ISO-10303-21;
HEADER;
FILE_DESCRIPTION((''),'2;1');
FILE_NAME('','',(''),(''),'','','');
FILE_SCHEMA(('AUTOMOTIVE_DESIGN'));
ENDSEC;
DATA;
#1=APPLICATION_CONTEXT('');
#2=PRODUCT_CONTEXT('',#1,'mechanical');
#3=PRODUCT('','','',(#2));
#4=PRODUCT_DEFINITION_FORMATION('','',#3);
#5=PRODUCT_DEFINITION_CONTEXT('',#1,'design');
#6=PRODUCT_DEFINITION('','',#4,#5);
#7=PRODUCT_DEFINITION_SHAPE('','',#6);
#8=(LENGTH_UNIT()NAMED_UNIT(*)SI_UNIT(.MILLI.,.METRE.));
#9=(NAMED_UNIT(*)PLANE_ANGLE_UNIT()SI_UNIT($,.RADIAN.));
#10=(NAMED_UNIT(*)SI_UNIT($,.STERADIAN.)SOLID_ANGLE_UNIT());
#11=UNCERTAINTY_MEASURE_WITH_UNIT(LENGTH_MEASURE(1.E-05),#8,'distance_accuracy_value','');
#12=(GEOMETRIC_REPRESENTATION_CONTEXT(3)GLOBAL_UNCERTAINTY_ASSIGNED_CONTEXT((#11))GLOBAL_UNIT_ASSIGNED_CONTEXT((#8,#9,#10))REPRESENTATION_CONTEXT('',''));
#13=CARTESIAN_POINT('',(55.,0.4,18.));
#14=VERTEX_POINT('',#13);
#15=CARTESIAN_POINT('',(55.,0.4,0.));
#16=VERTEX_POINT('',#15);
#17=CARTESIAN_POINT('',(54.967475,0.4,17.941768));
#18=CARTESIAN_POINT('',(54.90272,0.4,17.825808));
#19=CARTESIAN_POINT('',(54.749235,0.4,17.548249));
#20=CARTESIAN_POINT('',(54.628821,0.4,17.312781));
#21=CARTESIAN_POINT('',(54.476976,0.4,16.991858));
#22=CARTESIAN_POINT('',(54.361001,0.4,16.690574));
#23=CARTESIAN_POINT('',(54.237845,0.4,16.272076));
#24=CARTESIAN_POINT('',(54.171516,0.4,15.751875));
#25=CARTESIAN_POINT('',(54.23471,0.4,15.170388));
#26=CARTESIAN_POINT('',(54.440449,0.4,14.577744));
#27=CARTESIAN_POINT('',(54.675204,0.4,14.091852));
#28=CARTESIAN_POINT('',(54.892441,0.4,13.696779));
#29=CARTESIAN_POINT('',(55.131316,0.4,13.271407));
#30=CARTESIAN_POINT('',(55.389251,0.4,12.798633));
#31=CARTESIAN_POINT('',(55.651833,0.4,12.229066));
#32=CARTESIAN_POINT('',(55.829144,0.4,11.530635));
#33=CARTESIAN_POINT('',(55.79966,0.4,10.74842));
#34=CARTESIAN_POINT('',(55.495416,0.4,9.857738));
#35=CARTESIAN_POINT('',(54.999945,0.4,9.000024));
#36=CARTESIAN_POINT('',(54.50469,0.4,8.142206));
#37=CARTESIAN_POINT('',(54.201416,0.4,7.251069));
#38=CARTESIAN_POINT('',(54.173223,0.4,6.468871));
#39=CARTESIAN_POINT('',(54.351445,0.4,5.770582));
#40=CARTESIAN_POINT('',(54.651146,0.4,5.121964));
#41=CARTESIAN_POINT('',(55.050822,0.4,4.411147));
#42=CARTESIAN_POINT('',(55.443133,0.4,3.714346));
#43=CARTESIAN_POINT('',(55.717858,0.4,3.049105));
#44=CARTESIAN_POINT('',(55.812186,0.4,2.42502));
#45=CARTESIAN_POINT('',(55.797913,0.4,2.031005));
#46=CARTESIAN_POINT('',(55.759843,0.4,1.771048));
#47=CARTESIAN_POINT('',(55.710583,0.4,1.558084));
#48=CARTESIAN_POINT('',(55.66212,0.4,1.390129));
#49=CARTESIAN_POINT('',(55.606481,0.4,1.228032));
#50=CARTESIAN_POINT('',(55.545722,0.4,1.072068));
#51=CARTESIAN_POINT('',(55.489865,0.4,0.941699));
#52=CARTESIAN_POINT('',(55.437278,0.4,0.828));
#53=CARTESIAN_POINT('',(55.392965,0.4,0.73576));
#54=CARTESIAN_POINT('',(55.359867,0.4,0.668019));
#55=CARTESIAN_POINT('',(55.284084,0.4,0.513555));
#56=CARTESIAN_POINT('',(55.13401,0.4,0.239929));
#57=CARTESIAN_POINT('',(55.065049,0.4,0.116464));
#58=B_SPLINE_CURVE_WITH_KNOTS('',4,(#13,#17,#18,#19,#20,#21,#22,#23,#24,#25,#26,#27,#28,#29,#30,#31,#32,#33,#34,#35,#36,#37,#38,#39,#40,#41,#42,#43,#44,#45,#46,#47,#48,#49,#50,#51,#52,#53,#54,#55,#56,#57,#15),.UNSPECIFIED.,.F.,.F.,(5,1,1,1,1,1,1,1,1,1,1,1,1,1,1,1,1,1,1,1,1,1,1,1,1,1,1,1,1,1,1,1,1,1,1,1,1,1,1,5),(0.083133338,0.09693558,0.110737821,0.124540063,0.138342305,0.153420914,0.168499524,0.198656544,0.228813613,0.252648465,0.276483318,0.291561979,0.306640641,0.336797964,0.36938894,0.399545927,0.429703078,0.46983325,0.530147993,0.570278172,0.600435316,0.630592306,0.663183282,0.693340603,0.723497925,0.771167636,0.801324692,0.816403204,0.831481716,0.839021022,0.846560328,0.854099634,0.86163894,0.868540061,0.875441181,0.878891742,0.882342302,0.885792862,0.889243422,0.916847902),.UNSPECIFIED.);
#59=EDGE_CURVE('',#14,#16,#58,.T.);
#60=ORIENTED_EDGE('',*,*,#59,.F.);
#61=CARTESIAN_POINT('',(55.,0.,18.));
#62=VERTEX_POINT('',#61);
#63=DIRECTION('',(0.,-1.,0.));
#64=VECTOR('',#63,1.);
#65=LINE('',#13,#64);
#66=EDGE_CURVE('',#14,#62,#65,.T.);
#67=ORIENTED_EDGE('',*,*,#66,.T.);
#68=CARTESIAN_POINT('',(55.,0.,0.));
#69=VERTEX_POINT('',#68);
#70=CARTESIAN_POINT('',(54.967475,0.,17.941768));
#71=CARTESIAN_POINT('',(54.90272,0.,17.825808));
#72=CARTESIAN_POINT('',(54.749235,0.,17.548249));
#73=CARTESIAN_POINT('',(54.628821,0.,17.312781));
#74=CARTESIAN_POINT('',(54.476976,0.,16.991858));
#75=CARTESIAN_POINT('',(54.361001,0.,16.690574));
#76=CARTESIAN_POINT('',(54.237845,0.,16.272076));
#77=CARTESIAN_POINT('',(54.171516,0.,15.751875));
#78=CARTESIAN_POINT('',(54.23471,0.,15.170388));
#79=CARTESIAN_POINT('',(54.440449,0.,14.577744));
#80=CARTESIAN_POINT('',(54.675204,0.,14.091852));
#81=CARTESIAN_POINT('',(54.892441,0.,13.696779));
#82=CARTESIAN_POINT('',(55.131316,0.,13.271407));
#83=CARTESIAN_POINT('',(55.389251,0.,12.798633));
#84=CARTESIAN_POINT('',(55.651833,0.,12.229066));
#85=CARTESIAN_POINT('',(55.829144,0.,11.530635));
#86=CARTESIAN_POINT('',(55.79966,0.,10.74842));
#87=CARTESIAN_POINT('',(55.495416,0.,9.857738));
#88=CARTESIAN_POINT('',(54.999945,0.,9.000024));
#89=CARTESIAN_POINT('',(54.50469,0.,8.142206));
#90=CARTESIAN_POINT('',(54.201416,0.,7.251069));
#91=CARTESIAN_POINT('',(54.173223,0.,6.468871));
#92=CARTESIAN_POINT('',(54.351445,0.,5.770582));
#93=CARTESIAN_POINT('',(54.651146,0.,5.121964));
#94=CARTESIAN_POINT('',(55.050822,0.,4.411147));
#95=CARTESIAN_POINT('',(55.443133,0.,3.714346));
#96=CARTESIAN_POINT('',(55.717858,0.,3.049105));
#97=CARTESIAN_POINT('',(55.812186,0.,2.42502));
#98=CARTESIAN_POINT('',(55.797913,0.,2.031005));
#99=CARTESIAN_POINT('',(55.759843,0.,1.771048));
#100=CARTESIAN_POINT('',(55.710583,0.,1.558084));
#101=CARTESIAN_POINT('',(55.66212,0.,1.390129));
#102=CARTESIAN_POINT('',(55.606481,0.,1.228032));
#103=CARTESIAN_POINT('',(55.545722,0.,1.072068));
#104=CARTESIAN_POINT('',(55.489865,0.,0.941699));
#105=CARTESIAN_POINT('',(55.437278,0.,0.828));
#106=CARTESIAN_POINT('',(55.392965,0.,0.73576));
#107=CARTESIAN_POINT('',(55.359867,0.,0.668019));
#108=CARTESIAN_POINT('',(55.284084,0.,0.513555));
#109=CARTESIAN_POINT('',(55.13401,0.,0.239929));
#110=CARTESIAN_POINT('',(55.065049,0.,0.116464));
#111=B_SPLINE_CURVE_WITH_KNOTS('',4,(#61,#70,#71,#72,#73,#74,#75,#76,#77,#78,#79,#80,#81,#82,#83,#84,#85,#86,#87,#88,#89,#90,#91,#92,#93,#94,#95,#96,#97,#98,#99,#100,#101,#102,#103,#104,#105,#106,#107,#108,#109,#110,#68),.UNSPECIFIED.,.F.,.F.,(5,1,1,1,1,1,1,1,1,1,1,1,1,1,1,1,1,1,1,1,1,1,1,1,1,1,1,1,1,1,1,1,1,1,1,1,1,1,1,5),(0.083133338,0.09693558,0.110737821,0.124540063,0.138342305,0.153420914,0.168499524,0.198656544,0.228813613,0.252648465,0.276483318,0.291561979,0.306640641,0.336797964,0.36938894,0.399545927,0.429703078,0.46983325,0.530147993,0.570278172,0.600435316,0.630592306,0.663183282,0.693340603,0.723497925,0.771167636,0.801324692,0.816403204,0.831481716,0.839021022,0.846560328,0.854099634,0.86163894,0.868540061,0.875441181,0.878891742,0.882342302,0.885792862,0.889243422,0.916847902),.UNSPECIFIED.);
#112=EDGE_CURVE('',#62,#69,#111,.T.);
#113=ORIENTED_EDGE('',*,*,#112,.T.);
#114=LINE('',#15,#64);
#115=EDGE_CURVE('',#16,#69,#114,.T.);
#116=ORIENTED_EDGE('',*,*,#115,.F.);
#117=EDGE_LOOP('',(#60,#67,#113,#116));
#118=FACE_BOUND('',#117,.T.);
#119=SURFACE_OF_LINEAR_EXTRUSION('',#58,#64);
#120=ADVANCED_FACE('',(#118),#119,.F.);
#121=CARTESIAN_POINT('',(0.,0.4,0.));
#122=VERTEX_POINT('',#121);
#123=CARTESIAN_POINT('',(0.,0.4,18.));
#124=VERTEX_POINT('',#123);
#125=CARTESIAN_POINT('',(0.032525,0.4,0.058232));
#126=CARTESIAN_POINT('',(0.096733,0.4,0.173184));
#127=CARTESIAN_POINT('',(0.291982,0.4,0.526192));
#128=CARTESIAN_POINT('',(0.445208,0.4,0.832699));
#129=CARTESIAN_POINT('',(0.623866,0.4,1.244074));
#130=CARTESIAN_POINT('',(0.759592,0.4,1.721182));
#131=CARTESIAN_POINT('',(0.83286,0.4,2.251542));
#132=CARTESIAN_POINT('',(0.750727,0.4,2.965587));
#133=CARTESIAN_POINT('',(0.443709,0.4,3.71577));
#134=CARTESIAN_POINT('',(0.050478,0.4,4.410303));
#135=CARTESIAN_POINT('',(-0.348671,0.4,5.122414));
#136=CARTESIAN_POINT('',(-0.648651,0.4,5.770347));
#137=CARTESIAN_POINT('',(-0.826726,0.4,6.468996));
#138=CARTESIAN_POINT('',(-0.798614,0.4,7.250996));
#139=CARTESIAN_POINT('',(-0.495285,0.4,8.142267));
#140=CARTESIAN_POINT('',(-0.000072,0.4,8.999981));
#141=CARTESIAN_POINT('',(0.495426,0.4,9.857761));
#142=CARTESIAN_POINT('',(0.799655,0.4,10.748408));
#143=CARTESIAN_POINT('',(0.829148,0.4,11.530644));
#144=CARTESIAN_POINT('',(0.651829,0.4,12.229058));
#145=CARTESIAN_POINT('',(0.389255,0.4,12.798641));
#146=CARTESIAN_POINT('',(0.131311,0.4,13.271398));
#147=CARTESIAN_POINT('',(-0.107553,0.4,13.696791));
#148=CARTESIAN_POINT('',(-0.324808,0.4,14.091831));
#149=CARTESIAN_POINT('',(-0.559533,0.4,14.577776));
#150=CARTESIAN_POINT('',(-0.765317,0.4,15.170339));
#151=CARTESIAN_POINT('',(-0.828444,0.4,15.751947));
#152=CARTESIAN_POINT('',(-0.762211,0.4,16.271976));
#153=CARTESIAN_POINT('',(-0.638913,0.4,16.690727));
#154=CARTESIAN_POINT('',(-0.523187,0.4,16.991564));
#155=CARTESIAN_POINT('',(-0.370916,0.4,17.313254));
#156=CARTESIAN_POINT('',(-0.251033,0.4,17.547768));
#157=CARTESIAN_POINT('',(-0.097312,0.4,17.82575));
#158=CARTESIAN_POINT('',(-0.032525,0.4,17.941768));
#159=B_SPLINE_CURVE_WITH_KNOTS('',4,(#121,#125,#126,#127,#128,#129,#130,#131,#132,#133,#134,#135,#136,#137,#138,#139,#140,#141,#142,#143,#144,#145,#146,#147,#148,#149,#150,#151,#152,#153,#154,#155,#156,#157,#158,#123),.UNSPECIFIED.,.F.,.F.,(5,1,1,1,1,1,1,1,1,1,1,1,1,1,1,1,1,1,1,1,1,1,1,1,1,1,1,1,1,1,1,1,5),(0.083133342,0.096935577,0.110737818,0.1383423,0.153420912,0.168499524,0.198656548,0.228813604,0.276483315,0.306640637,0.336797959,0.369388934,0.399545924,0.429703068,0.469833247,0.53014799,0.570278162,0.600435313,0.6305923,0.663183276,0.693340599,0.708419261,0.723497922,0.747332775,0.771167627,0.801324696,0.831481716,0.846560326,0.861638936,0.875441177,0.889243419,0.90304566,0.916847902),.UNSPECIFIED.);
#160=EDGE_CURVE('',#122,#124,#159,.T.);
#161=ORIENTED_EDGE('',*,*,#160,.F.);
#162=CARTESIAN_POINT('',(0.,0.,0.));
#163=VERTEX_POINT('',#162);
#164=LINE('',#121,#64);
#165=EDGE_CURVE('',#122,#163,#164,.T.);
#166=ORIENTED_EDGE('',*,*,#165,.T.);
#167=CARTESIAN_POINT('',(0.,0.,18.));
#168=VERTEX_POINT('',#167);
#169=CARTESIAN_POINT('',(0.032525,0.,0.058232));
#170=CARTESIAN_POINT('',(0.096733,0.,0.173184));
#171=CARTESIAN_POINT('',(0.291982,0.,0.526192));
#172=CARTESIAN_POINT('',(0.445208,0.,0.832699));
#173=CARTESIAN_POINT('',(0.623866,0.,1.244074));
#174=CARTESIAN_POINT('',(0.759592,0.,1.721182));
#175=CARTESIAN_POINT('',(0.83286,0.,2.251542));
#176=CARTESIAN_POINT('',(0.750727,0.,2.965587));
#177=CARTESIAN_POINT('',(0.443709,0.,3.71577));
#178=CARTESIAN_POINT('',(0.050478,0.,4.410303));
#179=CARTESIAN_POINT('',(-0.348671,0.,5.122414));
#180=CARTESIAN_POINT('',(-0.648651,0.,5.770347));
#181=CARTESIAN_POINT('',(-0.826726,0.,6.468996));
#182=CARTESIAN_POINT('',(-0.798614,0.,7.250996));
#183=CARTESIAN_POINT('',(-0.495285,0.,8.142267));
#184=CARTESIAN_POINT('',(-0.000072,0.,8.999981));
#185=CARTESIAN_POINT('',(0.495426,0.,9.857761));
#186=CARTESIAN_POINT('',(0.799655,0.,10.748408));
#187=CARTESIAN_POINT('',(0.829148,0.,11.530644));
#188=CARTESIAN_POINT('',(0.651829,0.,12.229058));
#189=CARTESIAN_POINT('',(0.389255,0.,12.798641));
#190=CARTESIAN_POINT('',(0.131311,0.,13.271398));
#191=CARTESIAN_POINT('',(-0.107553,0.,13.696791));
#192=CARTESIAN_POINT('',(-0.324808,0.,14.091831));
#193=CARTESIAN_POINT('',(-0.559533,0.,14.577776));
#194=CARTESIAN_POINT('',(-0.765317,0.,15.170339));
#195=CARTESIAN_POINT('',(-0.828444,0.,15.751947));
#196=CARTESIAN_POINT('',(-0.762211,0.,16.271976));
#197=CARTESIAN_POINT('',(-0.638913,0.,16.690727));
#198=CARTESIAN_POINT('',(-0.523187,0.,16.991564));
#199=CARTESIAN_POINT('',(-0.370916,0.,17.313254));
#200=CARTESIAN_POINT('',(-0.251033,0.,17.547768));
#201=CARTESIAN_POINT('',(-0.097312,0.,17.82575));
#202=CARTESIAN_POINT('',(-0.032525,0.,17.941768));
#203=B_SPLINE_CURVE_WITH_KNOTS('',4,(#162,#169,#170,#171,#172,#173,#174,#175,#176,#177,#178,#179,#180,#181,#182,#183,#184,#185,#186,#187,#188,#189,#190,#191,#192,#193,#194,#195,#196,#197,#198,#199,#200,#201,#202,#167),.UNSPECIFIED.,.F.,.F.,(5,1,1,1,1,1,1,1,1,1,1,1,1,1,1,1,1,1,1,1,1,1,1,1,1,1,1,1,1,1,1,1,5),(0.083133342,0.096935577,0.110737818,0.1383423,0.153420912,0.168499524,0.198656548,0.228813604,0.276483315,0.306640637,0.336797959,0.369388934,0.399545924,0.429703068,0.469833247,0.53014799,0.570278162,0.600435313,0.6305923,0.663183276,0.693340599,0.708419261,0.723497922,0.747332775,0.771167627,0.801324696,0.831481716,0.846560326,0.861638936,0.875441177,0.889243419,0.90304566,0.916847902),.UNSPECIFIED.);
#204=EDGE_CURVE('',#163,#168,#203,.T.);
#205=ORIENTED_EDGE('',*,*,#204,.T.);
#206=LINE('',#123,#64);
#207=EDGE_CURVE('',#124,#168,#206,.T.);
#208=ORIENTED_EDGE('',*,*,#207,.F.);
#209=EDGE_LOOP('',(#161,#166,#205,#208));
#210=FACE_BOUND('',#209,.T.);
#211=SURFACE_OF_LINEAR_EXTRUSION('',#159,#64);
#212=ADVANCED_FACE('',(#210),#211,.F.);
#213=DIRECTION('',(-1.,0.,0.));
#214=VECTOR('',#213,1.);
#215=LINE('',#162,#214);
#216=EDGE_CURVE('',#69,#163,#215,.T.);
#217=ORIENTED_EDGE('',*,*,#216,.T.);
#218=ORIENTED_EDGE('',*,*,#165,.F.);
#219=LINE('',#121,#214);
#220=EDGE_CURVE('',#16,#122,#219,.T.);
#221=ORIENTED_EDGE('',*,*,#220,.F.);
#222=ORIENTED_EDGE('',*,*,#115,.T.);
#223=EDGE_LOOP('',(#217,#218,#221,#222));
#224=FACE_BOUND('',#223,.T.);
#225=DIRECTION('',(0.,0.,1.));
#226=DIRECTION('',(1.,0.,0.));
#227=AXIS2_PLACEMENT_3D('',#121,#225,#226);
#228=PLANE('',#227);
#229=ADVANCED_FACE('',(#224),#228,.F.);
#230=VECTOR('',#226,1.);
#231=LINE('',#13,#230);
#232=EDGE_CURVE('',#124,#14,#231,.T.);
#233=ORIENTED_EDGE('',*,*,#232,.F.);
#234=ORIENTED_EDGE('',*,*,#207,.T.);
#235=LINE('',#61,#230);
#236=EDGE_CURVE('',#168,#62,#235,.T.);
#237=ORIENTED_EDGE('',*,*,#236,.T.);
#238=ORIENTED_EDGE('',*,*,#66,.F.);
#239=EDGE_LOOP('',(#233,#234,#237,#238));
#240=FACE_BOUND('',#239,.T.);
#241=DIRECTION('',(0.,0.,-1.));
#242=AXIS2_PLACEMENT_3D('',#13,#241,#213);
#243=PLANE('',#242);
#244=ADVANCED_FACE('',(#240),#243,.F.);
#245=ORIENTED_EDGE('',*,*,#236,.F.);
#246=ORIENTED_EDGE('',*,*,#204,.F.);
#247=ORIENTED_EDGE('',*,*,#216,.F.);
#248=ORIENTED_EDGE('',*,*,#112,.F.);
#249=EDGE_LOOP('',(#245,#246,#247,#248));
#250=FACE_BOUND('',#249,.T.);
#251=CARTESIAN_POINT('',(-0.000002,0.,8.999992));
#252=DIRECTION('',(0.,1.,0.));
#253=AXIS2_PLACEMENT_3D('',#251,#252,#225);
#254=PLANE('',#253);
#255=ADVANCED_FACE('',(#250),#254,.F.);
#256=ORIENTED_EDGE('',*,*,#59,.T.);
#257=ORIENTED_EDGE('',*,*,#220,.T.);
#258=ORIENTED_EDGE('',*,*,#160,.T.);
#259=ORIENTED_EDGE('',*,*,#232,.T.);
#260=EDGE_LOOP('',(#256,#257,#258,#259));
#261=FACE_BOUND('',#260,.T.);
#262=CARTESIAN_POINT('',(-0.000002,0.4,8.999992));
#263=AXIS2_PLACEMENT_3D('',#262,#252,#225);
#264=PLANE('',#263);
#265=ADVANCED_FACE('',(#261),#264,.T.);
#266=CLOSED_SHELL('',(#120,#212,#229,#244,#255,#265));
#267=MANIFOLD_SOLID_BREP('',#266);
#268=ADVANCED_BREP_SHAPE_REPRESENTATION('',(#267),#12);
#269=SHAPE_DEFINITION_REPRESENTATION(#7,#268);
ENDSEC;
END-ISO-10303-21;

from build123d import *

# Parameters (mm, degrees)
BOSS_EXTRUDE1_DEPTH = 0.4


with BuildPart() as part:
    # Sketch1 → Boss-Extrude1 (new body)
    with BuildSketch(Plane(origin=(0, 0, 0), x_dir=(1, 0, 0), z_dir=(0, 1, 0))):
        with BuildLine():
            Line((0, 0), (55, 0))
            add(Edge.make_bspline(
                [(55, 0), (55.065049361, -0.11646358), (55.134010057, -0.239928811), (55.28408428, -0.513554698), (55.359866677, -0.668018936), (55.392965032, -0.73576023), (55.437277769, -0.827999897), (55.48986549, -0.941699093), (55.545721545, -1.072067525), (55.606481108, -1.228031763), (55.662120015, -1.390129284), (55.710583065, -1.558083652), (55.759842626, -1.771048466), (55.797912962, -2.031004964), (55.812186463, -2.425019992), (55.717858164, -3.049105165), (55.443132991, -3.714345689), (55.050822224, -4.411147032), (54.651146013, -5.1219644), (54.351444841, -5.770582127), (54.173222696, -6.468871287), (54.201416135, -7.251069142), (54.504689946, -8.14220606), (54.999945183, -9.000024025), (55.495416497, -9.857738055), (55.799660366, -10.748420045), (55.829144391, -11.530635196), (55.6518328, -12.229066273), (55.389251073, -12.798633296), (55.131315702, -13.271406551), (54.892440966, -13.696779394), (54.675203561, -14.091851892), (54.440449338, -14.577743855), (54.234710224, -15.1703876), (54.17151585, -15.751874721), (54.237844867, -16.272076235), (54.361001119, -16.690573543), (54.47697649, -16.991858427), (54.628820635, -17.312781264), (54.749235151, -17.548248531), (54.902720288, -17.825808216), (54.967475377, -17.941768149), (55, -18)],
                knots=[0.083133338, 0.083133338, 0.083133338, 0.083133338, 0.083133338, 0.110737818, 0.114188378, 0.117638938, 0.121089499, 0.124540059, 0.131441179, 0.1383423, 0.145881606, 0.153420912, 0.160960218, 0.168499524, 0.183578036, 0.198656548, 0.228813604, 0.276483315, 0.306640637, 0.336797959, 0.369388934, 0.399545925, 0.429703068, 0.469833248, 0.53014799, 0.570278163, 0.600435314, 0.6305923, 0.663183276, 0.693340599, 0.708419261, 0.723497922, 0.747332775, 0.771167627, 0.801324696, 0.831481716, 0.846560326, 0.861638936, 0.875441177, 0.889243419, 0.90304566, 0.916847902, 0.916847902, 0.916847902, 0.916847902, 0.916847902], degree=4))
            Line((55, -18), (0, -18))
            add(Edge.make_bspline(
                [(0, 0), (0.032524636, -0.05823171), (0.096732811, -0.173184303), (0.291982251, -0.526192176), (0.445208278, -0.832698965), (0.62386598, -1.244073614), (0.759592363, -1.721181667), (0.832859935, -2.251541552), (0.750726938, -2.965586954), (0.443708738, -3.715770356), (0.050478374, -4.410302839), (-0.348670519, -5.122413561), (-0.64865109, -5.770347083), (-0.826726248, -6.468996268), (-0.79861362, -7.25099649), (-0.495285138, -8.142266716), (-7.2277e-05, -8.999981493), (0.495425822, -9.857760851), (0.799655367, -10.748407976), (0.829148192, -11.530643801), (0.651829085, -12.229058369), (0.389255063, -12.798641222), (0.131311319, -13.27139837), (-0.107552618, -13.69679089), (-0.324807927, -14.091831327), (-0.559532558, -14.5777763), (-0.765316946, -15.170338553), (-0.828444311, -15.751946659), (-0.762210707, -16.271976281), (-0.638913334, -16.690727214), (-0.52318723, -16.991564482), (-0.370915545, -17.313254228), (-0.251032905, -17.547768337), (-0.097311836, -17.825750418), (-0.032524624, -17.941768148), (0, -18)],
                knots=[0.083133342, 0.083133342, 0.083133342, 0.083133342, 0.083133342, 0.096935577, 0.110737818, 0.1383423, 0.153420912, 0.168499524, 0.198656548, 0.228813604, 0.276483315, 0.306640637, 0.336797959, 0.369388934, 0.399545924, 0.429703068, 0.469833247, 0.53014799, 0.570278162, 0.600435313, 0.6305923, 0.663183276, 0.693340599, 0.708419261, 0.723497922, 0.747332775, 0.771167627, 0.801324696, 0.831481716, 0.846560326, 0.861638936, 0.875441177, 0.889243419, 0.90304566, 0.916847902, 0.916847902, 0.916847902, 0.916847902, 0.916847902], degree=4))
        make_face()
    extrude(amount=BOSS_EXTRUDE1_DEPTH)


solid = part.part
